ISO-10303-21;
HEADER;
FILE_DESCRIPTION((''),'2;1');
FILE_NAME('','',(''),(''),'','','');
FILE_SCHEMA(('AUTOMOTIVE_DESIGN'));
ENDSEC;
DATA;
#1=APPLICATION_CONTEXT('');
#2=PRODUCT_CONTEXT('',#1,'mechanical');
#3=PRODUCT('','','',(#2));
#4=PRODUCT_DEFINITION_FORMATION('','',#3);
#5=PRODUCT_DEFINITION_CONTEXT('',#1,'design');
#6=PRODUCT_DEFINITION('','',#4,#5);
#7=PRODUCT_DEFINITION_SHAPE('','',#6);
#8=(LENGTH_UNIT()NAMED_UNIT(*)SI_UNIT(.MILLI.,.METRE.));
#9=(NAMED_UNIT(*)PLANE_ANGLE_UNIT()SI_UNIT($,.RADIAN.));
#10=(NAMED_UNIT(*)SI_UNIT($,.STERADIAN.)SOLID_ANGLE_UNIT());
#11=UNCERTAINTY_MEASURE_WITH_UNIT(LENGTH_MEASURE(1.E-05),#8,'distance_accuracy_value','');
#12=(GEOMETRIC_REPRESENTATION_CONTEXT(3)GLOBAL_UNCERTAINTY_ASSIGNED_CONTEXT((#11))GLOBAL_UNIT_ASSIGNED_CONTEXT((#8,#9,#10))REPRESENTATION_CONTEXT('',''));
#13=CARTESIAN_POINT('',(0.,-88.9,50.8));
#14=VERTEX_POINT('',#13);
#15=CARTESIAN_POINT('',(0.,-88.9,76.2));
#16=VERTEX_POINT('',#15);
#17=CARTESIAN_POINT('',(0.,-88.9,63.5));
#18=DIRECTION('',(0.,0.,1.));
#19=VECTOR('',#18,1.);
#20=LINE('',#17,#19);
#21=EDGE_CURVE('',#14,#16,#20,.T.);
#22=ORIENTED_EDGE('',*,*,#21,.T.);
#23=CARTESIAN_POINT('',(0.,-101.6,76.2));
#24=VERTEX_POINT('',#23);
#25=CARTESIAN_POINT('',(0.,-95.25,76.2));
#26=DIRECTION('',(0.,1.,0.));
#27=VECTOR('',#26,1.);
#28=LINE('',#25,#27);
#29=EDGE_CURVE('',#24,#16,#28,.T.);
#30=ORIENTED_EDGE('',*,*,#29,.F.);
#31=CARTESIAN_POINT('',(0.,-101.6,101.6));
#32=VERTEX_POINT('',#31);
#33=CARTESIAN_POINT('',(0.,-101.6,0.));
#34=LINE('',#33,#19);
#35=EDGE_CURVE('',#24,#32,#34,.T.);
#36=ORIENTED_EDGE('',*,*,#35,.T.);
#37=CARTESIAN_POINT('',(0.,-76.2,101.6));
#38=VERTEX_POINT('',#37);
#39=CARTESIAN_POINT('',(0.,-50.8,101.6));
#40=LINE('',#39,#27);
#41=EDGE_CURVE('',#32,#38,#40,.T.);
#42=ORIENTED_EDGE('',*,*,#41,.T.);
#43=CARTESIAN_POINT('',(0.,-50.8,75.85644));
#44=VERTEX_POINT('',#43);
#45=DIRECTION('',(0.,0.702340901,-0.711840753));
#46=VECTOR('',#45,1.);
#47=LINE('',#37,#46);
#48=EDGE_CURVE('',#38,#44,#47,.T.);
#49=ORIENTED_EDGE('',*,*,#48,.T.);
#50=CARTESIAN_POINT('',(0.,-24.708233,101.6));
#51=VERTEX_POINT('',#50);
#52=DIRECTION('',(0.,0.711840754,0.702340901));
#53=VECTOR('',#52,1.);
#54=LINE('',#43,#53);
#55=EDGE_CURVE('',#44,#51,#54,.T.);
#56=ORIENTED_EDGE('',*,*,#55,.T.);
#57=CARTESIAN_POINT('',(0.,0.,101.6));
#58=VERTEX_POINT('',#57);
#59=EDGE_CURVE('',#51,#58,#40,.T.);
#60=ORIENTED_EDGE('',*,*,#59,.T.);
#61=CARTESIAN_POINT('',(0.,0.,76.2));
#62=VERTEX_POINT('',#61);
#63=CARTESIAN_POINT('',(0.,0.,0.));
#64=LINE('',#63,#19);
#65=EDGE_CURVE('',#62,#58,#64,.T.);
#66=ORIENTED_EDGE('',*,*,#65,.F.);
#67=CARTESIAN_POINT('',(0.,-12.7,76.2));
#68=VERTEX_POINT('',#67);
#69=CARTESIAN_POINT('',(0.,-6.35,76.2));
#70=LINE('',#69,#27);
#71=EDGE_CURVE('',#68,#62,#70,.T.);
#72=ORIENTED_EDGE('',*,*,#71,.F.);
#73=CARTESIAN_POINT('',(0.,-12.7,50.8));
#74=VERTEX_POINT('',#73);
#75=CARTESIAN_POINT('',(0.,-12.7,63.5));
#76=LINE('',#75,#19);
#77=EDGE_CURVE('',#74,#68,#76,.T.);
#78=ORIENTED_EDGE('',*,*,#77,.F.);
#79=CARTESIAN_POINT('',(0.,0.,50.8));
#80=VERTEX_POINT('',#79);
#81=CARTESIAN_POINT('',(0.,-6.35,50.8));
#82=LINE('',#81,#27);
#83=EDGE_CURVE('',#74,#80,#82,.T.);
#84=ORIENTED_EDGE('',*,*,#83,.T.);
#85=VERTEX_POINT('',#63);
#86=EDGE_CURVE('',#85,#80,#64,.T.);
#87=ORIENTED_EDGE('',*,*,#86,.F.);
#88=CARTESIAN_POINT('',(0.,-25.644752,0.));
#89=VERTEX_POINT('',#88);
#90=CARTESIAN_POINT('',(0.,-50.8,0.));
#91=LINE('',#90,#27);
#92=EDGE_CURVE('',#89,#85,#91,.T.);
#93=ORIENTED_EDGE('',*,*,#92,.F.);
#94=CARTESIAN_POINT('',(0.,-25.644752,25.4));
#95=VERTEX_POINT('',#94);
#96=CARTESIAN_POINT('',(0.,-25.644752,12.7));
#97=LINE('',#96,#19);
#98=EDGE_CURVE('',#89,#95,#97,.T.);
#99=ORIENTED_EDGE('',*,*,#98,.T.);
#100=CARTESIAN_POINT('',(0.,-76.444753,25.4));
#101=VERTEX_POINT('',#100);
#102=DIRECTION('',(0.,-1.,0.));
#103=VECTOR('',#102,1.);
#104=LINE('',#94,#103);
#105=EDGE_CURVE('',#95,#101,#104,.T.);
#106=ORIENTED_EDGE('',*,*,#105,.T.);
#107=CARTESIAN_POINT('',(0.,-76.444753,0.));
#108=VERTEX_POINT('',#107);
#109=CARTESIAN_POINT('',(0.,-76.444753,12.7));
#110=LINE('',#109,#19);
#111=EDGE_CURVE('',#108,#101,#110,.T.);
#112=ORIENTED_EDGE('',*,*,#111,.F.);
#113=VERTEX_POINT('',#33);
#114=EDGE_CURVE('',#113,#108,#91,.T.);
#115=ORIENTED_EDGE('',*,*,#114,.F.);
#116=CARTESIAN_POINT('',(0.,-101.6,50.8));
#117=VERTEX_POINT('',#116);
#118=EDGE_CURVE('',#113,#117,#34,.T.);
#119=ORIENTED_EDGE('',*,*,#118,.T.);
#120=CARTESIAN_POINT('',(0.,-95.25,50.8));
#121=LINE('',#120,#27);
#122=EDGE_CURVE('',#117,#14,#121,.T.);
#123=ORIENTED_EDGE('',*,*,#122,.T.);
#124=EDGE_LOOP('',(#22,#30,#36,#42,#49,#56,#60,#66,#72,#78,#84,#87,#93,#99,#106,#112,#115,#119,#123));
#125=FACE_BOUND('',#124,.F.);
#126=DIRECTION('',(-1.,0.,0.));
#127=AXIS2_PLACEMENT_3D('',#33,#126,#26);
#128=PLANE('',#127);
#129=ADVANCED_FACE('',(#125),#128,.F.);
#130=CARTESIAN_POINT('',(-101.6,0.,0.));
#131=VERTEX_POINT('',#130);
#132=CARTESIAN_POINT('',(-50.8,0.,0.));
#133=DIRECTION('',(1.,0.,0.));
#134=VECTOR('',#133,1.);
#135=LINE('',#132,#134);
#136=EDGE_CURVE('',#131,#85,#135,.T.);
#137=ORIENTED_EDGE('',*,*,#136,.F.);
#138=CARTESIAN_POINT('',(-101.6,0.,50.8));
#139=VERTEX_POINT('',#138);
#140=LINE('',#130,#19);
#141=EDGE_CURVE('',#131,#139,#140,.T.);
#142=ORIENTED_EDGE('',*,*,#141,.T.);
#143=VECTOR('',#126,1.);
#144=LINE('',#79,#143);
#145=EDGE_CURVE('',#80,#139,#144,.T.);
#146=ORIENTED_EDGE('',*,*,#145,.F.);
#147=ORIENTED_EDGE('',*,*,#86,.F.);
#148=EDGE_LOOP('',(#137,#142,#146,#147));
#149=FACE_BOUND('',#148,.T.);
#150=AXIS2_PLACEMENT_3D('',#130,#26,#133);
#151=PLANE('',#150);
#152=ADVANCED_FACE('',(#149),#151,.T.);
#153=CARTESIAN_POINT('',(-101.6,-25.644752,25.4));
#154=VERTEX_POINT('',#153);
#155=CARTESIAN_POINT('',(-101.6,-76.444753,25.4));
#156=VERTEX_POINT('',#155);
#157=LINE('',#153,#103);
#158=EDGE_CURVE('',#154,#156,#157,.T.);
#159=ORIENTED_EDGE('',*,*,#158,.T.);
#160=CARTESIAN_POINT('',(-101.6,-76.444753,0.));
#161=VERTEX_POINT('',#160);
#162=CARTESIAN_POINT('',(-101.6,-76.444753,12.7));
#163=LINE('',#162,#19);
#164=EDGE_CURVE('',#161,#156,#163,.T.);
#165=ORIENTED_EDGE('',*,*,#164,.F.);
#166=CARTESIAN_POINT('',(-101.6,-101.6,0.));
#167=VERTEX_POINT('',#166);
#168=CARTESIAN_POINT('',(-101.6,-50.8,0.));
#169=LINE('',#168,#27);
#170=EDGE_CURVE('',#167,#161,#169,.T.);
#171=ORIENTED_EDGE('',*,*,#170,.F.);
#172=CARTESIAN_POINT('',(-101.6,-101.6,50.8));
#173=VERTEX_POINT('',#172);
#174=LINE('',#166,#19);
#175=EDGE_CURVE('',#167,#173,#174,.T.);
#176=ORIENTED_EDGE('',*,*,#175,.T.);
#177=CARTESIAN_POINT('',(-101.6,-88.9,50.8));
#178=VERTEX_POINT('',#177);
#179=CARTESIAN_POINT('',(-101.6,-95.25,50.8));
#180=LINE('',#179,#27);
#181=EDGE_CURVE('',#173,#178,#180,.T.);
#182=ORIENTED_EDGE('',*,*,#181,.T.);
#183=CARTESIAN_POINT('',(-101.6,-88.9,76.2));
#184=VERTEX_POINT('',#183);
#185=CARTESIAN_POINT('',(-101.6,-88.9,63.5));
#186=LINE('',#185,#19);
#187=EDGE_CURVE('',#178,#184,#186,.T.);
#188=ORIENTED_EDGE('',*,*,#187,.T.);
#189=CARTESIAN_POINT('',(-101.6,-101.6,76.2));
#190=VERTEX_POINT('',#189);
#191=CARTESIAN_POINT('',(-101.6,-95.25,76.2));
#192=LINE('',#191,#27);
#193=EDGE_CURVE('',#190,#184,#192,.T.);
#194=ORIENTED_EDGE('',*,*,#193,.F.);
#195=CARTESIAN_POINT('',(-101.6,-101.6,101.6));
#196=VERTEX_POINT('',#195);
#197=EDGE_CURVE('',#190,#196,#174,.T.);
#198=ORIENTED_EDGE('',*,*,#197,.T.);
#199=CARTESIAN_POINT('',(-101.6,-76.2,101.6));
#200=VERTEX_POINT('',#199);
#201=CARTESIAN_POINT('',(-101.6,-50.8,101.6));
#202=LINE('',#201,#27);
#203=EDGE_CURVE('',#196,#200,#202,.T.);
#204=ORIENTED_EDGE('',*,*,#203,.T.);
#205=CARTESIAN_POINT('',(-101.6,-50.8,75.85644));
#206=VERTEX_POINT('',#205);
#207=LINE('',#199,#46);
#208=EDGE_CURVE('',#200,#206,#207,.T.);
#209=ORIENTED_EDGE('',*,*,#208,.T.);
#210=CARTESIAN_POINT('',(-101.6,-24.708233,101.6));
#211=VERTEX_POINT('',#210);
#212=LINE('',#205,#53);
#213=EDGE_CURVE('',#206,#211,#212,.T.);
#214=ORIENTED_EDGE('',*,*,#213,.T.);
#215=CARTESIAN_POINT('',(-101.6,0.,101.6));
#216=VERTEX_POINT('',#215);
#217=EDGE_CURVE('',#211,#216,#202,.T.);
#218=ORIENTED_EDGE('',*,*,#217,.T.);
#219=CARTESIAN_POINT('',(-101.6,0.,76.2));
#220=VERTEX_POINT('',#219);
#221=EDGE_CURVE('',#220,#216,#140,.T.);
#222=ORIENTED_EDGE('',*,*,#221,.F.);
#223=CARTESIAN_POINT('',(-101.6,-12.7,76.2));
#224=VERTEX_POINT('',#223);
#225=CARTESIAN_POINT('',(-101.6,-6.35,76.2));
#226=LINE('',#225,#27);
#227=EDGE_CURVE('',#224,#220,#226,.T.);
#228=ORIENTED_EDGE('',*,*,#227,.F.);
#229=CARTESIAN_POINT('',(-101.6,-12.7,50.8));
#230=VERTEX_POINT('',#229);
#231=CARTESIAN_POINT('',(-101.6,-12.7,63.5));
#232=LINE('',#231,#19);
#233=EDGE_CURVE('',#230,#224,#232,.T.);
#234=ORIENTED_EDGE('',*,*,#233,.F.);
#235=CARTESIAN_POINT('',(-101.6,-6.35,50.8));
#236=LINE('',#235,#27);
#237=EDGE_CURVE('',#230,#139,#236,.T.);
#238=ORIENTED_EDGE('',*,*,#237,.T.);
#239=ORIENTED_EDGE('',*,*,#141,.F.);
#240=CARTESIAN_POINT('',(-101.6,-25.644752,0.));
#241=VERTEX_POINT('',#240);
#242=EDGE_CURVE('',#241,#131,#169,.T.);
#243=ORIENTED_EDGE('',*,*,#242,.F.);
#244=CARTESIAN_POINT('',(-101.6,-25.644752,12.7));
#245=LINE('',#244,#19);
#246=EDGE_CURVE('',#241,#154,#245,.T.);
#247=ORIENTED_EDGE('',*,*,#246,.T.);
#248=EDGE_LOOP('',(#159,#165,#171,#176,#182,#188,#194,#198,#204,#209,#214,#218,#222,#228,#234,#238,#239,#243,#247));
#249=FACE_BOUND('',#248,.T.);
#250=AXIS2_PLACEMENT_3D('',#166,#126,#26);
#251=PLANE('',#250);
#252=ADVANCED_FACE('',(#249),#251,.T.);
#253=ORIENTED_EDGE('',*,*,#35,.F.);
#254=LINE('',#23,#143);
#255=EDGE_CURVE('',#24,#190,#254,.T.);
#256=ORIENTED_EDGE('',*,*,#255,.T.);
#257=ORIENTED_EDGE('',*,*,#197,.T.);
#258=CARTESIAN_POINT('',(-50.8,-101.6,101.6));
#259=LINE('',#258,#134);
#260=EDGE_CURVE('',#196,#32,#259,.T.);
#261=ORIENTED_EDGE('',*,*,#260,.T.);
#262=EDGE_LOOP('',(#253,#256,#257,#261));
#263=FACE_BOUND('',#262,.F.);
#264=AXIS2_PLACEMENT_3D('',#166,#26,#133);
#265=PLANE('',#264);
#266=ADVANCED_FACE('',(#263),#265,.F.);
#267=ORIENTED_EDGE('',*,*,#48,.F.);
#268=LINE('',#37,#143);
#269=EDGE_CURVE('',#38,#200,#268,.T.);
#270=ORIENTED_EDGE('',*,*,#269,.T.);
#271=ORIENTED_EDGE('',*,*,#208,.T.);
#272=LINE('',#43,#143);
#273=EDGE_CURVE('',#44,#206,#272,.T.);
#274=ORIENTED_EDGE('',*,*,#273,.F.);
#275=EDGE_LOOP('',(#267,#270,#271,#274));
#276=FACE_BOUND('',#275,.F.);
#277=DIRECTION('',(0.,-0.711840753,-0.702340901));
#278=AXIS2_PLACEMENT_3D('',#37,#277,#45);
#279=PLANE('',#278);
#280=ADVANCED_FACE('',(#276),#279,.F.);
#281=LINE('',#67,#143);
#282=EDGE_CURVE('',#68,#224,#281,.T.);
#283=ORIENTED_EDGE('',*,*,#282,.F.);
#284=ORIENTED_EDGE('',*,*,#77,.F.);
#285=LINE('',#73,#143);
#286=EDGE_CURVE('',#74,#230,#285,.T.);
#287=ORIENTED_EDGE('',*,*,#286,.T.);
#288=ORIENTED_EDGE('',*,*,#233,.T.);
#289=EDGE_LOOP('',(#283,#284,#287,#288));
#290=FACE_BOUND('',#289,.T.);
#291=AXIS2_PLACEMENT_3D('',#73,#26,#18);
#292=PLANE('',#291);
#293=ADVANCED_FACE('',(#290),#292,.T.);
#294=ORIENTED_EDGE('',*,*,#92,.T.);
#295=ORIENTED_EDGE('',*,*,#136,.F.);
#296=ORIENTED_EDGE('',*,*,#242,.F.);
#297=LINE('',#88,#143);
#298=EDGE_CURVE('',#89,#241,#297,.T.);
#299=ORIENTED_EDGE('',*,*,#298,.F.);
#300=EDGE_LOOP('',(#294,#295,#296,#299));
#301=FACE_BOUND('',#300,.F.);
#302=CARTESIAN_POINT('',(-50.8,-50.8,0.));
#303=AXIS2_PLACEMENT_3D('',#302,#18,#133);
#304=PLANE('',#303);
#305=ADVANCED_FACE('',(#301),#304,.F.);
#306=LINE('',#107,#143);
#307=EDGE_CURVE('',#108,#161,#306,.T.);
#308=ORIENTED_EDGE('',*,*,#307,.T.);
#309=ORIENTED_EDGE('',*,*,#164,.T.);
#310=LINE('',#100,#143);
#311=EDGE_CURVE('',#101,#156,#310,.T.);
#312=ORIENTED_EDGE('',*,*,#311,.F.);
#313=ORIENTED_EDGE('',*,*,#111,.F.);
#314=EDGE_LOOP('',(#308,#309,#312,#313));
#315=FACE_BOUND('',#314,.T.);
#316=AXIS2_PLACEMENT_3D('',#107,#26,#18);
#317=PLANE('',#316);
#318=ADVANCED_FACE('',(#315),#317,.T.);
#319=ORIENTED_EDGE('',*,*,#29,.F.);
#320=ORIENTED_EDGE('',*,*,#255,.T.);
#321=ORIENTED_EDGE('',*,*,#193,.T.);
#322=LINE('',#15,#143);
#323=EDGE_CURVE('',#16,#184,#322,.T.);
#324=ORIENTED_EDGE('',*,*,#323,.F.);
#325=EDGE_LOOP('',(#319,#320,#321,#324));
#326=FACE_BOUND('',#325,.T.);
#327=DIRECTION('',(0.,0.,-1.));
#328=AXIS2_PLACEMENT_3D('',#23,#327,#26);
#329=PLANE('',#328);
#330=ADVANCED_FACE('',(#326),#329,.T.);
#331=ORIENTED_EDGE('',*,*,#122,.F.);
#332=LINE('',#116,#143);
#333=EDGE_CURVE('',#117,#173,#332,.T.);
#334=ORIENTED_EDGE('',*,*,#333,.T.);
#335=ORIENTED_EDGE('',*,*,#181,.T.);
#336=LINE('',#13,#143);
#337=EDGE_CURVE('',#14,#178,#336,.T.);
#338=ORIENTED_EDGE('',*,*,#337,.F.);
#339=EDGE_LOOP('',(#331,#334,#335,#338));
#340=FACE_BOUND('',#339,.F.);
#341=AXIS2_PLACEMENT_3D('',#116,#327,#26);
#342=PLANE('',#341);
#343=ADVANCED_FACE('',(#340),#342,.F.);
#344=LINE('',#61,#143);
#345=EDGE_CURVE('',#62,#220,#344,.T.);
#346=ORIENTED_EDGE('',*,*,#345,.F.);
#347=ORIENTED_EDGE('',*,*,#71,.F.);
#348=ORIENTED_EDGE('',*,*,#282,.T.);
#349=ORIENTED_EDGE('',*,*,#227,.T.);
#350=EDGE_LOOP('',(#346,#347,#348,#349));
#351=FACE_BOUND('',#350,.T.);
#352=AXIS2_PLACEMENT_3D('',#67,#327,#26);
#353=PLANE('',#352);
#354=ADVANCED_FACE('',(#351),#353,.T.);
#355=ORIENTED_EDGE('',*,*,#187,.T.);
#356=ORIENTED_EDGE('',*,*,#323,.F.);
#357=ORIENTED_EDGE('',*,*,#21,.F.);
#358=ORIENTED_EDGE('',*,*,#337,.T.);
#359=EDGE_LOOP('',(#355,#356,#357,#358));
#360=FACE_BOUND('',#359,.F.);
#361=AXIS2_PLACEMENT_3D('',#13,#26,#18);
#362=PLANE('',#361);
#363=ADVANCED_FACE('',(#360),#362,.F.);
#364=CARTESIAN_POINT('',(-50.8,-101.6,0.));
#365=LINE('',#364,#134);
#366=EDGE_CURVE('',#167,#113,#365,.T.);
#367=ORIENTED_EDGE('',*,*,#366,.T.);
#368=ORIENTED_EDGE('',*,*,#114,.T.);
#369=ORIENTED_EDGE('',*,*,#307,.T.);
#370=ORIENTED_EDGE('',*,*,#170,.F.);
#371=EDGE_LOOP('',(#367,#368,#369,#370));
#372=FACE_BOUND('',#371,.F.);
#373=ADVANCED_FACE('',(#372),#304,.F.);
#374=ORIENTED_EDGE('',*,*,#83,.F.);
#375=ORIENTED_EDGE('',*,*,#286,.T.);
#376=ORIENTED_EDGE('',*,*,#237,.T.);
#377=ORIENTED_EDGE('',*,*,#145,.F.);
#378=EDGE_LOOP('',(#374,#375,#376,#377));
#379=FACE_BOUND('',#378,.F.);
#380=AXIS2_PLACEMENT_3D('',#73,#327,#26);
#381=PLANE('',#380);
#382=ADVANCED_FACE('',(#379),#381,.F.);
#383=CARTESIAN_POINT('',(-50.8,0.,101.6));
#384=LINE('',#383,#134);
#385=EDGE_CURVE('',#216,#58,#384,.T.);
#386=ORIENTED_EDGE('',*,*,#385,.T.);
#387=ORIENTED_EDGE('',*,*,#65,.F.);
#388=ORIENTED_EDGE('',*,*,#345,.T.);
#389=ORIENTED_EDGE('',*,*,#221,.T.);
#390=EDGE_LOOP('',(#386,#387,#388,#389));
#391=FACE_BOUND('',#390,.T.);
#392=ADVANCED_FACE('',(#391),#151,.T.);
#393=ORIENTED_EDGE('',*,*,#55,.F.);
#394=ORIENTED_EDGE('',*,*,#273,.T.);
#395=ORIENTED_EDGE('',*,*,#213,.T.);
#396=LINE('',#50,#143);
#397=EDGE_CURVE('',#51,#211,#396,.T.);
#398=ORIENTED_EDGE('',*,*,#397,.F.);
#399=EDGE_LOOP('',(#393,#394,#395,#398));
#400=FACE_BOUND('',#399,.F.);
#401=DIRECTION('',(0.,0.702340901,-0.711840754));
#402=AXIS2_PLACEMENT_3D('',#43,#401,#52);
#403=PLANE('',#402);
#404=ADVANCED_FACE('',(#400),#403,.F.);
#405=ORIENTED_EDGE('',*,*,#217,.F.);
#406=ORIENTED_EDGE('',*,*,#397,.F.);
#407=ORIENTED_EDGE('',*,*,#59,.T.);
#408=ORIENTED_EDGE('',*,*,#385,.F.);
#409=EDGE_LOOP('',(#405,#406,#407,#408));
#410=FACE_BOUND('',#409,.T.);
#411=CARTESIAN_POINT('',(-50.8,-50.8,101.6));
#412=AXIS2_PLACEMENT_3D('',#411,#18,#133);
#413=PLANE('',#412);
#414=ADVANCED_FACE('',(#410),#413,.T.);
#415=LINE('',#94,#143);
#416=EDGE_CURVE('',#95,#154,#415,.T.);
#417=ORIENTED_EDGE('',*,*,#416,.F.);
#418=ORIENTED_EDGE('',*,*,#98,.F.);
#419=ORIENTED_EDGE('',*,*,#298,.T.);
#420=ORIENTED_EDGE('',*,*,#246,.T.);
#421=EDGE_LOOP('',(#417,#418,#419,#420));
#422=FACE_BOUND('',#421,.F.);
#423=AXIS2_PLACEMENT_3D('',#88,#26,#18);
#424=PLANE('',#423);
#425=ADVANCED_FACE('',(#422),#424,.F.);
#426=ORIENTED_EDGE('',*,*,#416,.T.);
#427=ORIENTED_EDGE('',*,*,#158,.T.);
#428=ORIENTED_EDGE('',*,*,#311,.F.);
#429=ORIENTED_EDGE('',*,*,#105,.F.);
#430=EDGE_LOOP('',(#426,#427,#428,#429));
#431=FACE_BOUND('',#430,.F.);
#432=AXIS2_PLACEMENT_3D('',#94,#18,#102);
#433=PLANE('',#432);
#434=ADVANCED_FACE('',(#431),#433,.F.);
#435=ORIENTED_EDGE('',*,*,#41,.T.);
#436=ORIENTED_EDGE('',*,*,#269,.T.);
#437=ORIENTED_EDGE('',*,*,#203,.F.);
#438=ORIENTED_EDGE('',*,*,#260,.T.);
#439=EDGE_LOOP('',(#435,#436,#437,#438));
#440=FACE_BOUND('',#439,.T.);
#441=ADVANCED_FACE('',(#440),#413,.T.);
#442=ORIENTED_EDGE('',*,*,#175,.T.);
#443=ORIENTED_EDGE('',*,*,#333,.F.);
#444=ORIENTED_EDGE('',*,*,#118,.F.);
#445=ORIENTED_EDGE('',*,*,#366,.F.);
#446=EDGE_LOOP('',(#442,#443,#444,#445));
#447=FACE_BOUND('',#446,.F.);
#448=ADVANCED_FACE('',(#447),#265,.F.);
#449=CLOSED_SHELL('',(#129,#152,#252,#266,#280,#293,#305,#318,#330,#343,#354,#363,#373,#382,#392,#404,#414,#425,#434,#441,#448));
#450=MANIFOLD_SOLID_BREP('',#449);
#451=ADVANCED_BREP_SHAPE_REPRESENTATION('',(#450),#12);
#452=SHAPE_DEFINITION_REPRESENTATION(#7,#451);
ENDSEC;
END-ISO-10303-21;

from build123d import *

# Parameters (mm, degrees)
F0_W     = 101.6
F0_H     = 101.6
F1_DEPTH = 101.6
F2_W     = 12.7
F2_H     = 25.4
F2_W_2   = 25.644753
F2_W_3   = 25.155247
F3_DEPTH = 101.6


with BuildPart() as f1:
    # F0 (on Top) → F1 (new body)
    with BuildSketch(Plane.XY):
        with Locations((-50.8, -50.8)):
            Rectangle(F0_W, F0_H)
    extrude(amount=F1_DEPTH)

    # F2 (on face) → F3 (cut)
    with BuildSketch(Plane.YZ):
        Polygon((-50.8, 101.6), (-76.2, 101.6), (-50.8, 75.85644), align=None)
        Polygon((-50.8, 101.6), (-50.8, 75.85644), (-24.708233, 101.6), align=None)
        with Locations((-95.25, 63.5)):
            Rectangle(F2_W, F2_H)
        with Locations((-63.622376, 12.7)):
            Rectangle(F2_W_2, F2_H)
        with Locations((-38.222376, 12.7)):
            Rectangle(F2_W_3, F2_H)
        with Locations((-6.35, 63.5)):
            Rectangle(F2_W, F2_H)
    extrude(amount=-F3_DEPTH, mode=Mode.SUBTRACT)


solid = f1.part
